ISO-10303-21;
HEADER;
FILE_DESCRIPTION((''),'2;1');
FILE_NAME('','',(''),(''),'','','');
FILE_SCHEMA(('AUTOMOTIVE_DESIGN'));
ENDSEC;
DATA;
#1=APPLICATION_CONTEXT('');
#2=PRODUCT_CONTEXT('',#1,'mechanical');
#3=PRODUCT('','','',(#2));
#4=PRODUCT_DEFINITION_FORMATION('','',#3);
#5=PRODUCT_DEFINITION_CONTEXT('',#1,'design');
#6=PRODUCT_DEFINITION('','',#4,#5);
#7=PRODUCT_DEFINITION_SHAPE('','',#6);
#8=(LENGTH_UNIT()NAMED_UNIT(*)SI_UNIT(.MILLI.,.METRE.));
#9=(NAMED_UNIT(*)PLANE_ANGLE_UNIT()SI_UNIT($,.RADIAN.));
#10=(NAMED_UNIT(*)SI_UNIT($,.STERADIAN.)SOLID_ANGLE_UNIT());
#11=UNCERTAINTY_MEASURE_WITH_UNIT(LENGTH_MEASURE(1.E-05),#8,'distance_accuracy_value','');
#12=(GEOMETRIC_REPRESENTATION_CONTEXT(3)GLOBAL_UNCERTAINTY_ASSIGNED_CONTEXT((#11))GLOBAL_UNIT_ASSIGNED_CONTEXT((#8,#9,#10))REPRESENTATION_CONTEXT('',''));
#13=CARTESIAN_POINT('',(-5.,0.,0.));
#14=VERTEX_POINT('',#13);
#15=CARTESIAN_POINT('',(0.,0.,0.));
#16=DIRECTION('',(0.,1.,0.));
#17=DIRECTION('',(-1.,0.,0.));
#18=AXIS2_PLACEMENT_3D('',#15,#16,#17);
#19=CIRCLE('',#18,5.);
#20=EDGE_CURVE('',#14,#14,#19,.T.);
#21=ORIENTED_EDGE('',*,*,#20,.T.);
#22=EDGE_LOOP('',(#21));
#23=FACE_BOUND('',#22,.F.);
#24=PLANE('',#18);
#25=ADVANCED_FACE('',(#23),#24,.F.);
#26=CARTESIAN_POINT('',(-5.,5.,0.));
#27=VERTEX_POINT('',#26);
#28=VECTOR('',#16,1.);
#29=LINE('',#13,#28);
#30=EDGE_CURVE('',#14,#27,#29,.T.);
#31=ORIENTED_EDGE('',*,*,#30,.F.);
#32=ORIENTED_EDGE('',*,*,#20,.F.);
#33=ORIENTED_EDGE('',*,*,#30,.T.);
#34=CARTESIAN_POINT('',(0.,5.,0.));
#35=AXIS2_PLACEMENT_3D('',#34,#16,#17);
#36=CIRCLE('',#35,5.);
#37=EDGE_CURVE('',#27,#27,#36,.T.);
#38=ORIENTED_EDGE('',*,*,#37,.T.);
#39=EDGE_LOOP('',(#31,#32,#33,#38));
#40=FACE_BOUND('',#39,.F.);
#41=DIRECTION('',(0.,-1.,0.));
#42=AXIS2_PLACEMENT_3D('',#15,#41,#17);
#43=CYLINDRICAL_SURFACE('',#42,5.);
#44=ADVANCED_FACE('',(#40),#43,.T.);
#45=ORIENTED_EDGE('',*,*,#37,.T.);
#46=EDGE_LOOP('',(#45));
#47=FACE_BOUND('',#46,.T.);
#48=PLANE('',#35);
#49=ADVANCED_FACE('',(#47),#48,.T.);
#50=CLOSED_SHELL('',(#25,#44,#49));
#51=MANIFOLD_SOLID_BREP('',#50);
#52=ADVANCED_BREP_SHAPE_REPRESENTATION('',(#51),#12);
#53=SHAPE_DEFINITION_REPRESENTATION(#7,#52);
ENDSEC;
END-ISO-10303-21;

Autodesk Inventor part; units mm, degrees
ref_plane "YZ Plane" through (0, 0, 0) normal (1, 0, 0) x (0, 1, 0)
ref_plane "XZ Plane" through (0, 0, 0) normal (0, 1, 0) x (-1, 0, 0)
ref_plane "XY Plane" through (0, 0, 0) normal (0, 0, 1) x (1, 0, 0)
sketch "Sketch1" plane through (0, 0, 0) normal (0, 1, 0) x (-1, 0, 0)
  circle A0 centre (0, 0) radius 5
  dimension "d0" = 10
extrude "Extrusion1" add sketch "Sketch1" along normal blind 5
properties part number "Kaki"
